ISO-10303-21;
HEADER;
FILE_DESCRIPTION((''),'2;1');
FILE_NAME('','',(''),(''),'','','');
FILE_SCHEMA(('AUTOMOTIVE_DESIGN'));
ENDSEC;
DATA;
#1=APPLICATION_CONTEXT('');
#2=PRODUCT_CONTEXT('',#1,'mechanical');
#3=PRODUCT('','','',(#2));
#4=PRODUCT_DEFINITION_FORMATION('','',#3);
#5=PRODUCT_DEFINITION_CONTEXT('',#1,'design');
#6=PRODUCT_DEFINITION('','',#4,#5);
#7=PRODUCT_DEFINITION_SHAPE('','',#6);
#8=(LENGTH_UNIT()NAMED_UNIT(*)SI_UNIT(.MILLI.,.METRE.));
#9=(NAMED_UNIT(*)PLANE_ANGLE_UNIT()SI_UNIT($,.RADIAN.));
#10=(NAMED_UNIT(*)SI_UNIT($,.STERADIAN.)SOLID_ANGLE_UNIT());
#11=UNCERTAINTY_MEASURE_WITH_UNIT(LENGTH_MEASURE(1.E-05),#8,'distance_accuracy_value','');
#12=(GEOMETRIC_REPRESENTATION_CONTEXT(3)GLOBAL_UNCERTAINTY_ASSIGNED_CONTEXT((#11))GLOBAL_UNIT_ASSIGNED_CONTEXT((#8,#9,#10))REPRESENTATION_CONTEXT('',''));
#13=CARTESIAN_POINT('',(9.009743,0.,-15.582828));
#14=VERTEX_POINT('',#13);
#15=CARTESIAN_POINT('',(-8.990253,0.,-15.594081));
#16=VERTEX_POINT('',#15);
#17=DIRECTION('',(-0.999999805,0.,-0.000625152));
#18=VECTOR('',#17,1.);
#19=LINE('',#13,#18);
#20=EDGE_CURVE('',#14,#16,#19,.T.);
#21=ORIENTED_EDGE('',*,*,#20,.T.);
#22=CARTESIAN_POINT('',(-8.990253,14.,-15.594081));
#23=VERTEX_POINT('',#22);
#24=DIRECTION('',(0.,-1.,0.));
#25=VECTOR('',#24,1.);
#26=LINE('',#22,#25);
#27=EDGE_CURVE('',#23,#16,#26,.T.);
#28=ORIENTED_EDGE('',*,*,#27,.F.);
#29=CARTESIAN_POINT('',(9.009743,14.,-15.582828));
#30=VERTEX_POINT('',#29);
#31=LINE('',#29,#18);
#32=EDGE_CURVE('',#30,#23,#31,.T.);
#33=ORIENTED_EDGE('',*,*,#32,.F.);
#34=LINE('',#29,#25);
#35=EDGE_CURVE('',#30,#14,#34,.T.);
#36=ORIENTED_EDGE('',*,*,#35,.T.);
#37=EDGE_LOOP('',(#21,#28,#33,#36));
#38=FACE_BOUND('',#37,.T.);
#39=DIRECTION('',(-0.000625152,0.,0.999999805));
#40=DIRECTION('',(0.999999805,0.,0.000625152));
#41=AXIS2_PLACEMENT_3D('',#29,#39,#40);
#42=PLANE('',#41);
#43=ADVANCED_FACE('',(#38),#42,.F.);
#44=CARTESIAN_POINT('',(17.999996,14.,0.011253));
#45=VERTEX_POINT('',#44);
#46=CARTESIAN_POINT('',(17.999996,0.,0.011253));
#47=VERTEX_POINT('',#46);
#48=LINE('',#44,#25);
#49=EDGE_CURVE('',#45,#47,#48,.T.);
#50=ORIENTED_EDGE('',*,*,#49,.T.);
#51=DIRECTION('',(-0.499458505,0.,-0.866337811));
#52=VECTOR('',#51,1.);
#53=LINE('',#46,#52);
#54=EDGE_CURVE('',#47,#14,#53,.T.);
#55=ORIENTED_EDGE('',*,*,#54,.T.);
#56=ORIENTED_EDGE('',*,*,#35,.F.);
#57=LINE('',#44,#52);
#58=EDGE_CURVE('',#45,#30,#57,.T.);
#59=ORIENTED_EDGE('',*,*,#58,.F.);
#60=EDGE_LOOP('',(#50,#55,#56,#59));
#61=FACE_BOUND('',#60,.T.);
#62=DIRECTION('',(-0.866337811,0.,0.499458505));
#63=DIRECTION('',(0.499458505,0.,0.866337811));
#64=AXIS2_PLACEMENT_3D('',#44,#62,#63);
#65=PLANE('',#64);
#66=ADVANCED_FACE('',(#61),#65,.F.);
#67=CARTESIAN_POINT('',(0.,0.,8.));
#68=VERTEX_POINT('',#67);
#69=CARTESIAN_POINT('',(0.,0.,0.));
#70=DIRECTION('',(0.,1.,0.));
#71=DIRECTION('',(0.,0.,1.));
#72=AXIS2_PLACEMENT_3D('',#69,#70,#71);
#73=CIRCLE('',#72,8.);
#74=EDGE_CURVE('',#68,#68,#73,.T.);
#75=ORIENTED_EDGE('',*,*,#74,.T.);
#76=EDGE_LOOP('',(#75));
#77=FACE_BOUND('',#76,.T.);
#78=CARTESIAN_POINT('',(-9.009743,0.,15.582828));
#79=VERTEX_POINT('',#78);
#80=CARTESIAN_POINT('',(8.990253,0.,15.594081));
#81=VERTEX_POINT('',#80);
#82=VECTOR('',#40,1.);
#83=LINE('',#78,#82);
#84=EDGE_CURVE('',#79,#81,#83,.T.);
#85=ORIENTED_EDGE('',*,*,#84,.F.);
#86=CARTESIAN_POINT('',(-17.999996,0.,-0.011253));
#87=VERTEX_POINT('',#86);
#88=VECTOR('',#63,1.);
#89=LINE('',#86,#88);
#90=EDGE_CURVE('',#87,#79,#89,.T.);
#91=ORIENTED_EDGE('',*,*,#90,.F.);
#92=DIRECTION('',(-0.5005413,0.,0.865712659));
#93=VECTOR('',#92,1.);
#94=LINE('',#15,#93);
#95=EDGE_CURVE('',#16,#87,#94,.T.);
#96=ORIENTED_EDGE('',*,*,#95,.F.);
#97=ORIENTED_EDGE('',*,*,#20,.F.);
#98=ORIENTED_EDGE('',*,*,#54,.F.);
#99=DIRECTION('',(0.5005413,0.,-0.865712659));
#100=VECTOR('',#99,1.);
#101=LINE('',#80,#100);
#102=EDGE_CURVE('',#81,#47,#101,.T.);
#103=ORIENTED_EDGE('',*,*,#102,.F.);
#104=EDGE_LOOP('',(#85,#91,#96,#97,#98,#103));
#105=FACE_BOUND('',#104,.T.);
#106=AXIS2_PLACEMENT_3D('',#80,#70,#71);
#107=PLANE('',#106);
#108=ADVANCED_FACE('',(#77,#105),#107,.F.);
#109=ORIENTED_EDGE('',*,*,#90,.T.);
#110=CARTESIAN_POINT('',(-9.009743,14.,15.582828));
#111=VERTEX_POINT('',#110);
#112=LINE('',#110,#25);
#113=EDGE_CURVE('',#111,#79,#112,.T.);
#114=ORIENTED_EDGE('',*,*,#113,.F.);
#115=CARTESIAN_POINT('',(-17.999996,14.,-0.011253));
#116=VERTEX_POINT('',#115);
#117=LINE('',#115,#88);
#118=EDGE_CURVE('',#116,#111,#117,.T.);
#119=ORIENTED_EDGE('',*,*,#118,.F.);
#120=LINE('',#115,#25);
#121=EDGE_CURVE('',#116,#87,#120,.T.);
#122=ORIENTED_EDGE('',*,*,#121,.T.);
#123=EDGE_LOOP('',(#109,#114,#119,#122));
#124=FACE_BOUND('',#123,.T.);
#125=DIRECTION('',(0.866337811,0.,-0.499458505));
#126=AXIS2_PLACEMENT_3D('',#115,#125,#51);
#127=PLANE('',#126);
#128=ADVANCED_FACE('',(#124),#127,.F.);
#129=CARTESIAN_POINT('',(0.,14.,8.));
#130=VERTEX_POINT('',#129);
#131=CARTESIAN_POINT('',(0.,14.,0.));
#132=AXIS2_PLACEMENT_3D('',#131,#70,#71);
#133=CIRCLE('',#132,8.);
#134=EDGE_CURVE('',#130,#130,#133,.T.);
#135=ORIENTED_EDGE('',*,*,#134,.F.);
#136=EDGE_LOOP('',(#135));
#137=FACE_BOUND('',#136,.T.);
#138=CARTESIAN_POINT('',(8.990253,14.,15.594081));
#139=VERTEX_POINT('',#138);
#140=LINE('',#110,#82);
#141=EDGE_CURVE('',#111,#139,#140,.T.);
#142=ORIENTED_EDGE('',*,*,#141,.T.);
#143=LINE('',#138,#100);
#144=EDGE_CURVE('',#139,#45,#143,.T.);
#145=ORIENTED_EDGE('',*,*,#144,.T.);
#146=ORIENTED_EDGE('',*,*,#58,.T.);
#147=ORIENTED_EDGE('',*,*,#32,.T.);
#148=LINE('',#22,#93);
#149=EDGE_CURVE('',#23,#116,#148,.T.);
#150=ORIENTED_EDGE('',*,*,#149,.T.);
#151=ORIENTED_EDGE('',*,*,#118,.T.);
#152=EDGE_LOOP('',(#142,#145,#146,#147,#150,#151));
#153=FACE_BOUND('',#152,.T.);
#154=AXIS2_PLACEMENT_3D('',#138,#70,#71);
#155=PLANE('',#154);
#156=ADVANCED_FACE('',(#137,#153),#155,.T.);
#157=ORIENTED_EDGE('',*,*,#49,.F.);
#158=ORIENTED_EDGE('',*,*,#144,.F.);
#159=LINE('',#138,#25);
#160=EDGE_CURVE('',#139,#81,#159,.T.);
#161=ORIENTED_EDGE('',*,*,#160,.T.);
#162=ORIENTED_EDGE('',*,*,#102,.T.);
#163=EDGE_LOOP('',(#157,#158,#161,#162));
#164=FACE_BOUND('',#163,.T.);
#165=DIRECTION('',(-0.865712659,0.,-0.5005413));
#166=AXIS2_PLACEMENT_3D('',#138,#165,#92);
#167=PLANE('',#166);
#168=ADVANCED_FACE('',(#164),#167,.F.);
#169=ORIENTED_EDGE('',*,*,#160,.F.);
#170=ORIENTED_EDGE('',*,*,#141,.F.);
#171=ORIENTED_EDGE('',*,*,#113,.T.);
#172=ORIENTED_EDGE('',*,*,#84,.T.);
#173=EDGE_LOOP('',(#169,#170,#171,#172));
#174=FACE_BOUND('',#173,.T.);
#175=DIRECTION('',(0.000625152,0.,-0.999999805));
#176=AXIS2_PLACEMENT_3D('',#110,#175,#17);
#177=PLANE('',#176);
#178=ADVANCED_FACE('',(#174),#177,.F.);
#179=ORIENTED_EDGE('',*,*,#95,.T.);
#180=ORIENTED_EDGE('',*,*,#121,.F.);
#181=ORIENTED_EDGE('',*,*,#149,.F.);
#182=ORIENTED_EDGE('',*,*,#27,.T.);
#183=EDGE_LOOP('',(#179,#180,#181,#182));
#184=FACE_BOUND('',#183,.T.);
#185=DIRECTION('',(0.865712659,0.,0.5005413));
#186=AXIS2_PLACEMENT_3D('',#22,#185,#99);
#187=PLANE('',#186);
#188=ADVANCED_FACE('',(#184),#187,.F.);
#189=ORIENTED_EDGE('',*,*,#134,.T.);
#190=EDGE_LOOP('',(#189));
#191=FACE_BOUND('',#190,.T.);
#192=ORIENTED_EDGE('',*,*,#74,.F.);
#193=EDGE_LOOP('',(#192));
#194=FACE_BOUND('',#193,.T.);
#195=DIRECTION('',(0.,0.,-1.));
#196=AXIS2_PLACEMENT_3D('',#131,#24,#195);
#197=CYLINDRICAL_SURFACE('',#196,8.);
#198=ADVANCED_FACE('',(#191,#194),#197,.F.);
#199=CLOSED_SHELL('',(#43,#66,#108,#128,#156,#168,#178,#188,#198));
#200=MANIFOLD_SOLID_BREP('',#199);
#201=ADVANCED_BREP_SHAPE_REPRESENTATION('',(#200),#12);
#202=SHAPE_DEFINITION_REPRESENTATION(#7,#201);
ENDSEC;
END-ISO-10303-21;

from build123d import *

# Parameters (mm, degrees)
SKETCH_1_R      = 8
EXTRUDE_1_DEPTH = 14


with BuildPart() as part:
    # Эскиз1 → Вытянуть1 (new body)
    with BuildSketch(Plane(origin=(0, 0, 0), x_dir=(1, 0, 0), z_dir=(0, 1, 0))):
        Polygon((8.990253087, -15.594080589), (17.999996483, -0.011252735), (9.009743395, 15.582827855), (-8.990253087, 15.594080589), (-17.999996483, 0.011252735), (-9.009743395, -15.582827855), align=None)
        with Locations(Location((0, 0, 0), (0, 0, 270))):
            Circle(SKETCH_1_R, mode=Mode.SUBTRACT)
    extrude(amount=EXTRUDE_1_DEPTH)


solid = part.part
